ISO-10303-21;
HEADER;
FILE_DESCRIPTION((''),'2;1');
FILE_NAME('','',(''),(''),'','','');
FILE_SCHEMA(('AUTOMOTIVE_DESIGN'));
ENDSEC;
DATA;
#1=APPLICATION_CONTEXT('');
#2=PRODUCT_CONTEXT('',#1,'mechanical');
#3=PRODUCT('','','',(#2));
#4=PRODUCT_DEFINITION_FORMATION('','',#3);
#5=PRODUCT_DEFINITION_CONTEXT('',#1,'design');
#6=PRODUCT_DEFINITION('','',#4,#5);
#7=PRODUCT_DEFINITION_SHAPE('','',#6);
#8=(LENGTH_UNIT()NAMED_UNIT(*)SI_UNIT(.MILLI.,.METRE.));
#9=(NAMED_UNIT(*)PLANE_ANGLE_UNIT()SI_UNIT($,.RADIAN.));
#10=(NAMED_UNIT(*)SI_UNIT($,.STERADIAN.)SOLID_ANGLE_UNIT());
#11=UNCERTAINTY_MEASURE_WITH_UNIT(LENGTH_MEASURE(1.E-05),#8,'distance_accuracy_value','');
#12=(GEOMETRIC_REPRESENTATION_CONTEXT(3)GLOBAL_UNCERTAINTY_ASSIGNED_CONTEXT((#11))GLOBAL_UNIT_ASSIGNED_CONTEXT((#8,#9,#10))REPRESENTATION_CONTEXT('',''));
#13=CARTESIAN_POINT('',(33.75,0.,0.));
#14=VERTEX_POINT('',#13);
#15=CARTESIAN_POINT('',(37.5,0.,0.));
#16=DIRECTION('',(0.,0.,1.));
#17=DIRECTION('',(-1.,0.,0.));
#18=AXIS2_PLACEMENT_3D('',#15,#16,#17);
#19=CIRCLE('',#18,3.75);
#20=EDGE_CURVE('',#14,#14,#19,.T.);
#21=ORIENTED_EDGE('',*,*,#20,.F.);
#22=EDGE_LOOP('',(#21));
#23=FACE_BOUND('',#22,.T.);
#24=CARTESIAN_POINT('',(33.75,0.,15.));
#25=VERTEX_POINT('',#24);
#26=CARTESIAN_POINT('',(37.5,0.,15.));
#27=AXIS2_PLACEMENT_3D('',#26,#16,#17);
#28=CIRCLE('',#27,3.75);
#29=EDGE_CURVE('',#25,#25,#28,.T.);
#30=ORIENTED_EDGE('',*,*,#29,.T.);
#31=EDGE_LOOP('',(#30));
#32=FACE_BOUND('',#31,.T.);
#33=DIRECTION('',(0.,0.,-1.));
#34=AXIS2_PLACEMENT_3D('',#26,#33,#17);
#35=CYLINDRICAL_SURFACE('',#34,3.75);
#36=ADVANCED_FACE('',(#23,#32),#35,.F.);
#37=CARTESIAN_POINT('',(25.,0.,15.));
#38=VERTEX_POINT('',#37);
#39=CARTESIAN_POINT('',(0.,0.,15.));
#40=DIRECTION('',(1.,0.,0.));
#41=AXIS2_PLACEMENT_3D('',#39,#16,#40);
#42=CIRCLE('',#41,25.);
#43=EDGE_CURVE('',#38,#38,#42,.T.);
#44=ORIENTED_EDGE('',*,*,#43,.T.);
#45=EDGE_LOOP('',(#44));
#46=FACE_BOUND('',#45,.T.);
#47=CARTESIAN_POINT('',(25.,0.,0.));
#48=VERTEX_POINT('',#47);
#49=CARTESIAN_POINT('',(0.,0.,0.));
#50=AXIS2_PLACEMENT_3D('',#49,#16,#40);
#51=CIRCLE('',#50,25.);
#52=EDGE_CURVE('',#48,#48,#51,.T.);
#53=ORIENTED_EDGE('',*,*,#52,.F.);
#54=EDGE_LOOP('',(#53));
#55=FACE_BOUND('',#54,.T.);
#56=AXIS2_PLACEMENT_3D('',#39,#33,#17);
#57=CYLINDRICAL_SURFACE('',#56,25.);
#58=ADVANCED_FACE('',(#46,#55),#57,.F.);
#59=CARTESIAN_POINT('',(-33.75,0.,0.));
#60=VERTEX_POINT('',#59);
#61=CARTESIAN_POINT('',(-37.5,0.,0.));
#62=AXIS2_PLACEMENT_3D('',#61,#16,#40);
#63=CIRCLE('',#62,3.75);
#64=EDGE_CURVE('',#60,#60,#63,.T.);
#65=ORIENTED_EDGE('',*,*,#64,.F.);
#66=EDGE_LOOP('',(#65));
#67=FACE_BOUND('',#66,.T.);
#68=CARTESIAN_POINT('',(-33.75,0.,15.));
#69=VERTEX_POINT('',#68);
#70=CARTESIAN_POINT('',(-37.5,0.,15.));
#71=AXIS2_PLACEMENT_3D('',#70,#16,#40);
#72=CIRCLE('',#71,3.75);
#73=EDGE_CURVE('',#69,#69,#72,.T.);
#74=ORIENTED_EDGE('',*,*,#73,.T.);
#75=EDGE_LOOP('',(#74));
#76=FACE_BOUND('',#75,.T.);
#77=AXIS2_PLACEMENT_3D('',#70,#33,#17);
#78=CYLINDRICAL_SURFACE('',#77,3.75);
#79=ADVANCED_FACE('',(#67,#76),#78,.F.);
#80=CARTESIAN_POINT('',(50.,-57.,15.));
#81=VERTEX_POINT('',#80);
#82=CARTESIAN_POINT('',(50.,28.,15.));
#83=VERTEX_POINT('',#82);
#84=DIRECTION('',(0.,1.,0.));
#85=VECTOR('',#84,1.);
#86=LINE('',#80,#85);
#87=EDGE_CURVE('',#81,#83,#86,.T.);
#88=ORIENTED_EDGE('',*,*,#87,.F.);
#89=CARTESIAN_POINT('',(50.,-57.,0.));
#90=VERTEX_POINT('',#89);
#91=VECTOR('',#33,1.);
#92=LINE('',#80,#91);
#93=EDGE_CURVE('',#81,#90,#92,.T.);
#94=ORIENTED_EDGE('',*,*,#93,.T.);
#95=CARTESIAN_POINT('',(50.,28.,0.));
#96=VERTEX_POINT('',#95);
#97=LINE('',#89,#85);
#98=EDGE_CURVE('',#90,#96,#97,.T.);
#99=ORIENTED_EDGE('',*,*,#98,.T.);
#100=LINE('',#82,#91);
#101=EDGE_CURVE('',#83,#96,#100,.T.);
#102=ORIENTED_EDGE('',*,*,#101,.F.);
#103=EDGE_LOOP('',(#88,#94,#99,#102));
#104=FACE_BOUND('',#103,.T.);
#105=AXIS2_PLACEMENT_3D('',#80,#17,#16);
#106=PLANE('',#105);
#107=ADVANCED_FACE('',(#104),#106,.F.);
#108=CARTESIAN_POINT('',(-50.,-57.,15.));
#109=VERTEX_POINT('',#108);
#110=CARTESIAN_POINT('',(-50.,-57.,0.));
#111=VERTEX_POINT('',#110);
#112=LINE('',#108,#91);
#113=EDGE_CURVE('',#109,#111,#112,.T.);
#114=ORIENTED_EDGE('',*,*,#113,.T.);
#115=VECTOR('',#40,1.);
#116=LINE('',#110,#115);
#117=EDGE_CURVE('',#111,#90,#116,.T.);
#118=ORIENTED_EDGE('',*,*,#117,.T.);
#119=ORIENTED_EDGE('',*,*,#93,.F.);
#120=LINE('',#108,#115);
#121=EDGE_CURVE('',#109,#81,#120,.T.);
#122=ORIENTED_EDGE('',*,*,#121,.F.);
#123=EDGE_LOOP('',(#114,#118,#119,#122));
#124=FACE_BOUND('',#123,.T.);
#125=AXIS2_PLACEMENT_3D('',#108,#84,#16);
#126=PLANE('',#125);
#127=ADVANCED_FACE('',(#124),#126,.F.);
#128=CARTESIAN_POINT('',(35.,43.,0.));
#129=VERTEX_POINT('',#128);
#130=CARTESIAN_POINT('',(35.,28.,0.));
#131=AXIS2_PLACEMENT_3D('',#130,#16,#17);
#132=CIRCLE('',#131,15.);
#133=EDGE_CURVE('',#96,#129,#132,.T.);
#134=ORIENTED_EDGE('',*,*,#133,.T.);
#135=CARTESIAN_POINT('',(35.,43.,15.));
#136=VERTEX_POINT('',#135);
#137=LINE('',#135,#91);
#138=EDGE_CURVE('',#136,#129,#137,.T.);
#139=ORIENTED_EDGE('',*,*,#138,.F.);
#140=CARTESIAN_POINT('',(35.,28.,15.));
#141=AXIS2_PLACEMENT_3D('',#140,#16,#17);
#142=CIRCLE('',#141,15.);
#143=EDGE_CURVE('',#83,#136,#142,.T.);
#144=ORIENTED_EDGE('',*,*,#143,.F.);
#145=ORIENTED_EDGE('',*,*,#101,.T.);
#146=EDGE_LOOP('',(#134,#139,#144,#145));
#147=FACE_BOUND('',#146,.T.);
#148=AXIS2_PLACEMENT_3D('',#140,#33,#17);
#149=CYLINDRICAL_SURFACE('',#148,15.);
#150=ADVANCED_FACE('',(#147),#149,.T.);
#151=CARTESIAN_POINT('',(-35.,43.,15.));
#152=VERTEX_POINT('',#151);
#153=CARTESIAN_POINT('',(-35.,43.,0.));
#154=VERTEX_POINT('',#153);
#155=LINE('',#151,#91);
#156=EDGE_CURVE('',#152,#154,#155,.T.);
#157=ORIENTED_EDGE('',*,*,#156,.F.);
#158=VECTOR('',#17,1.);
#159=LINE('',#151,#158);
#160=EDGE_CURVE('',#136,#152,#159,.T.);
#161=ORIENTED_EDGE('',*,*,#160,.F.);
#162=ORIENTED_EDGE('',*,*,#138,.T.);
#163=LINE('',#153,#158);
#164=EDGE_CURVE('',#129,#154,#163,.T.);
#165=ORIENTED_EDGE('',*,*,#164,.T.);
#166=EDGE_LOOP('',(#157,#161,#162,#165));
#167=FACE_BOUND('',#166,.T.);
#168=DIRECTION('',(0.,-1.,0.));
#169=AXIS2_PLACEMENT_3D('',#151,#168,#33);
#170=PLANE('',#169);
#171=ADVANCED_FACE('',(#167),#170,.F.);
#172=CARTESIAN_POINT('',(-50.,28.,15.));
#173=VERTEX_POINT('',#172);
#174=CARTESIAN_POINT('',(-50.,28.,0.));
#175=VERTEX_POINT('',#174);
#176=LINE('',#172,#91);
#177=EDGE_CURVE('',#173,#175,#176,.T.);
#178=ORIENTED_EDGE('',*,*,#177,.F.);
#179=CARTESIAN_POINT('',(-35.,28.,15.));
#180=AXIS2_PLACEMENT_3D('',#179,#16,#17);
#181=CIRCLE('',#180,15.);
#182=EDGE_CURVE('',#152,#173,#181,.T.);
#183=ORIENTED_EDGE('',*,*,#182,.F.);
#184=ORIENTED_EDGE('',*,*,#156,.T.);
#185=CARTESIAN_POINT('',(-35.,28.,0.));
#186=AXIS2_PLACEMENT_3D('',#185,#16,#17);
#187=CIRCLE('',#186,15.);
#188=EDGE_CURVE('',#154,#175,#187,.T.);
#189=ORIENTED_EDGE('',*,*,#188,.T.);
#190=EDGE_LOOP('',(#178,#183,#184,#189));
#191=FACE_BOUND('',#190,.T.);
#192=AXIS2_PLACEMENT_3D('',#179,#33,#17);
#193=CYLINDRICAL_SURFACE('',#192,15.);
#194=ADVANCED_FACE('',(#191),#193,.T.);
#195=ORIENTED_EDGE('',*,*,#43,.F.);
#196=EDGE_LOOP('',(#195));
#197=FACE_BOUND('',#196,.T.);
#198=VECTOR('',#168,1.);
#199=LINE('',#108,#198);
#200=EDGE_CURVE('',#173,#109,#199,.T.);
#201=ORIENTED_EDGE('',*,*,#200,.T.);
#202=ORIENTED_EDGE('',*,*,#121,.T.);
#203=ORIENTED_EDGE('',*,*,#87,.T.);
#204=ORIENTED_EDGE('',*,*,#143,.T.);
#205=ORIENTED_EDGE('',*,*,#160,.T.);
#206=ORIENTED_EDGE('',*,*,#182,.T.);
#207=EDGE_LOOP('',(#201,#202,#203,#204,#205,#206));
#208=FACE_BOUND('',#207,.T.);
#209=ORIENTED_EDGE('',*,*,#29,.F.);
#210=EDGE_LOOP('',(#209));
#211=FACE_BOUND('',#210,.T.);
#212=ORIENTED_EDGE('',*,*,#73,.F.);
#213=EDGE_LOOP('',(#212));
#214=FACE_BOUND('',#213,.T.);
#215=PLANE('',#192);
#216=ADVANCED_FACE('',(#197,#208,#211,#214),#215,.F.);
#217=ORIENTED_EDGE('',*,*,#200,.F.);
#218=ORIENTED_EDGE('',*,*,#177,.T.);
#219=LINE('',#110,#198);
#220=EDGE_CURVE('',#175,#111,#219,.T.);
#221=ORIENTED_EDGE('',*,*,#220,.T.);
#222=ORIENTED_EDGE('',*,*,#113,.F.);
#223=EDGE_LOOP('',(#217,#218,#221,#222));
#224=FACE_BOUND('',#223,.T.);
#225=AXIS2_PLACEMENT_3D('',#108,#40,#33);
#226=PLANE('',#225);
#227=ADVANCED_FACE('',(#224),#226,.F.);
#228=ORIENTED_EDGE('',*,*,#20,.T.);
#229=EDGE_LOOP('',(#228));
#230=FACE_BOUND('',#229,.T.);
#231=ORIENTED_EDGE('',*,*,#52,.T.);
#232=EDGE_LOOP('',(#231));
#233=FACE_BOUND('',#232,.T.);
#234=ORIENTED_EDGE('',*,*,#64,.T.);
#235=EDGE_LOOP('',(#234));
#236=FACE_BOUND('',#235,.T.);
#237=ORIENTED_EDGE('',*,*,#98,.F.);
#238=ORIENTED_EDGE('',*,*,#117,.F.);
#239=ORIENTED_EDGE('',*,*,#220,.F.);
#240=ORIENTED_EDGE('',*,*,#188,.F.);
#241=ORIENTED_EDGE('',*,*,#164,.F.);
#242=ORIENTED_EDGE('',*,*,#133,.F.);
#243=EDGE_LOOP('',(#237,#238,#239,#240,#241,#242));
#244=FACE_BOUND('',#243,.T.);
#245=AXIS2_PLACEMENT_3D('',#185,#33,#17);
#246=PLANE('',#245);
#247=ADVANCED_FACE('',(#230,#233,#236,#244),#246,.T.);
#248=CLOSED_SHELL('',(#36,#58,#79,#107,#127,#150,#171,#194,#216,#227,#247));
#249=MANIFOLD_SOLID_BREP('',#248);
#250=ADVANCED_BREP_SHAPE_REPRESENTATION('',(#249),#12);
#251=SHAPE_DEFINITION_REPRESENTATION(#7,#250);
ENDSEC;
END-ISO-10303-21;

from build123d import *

# Parameters (mm, degrees)
SKETCH1_R           = 25
SKETCH1_R_2         = 3.75
BOSS_EXTRUDE1_DEPTH = 15


with BuildPart() as part:
    # Sketch1 → Boss-Extrude1 (new body)
    with BuildSketch(Plane.XY):
        with BuildLine():
            Line((-50, -57), (50, -57))
            Line((50, -57), (50, 28))
            ThreePointArc((50, 28), (45.606601718, 38.606601718), (35, 43))
            Line((35, 43), (-35, 43))
            ThreePointArc((-35, 43), (-45.606601718, 38.606601718), (-50, 28))
            Line((-50, 28), (-50, -57))
        make_face()
        Circle(SKETCH1_R, mode=Mode.SUBTRACT)
        with Locations((-37.5, 0)):
            Circle(SKETCH1_R_2, mode=Mode.SUBTRACT)
        with Locations(Location((37.5, 0, 0), (0, 0, 180))):
            Circle(SKETCH1_R_2, mode=Mode.SUBTRACT)
    extrude(amount=BOSS_EXTRUDE1_DEPTH)


solid = part.part
